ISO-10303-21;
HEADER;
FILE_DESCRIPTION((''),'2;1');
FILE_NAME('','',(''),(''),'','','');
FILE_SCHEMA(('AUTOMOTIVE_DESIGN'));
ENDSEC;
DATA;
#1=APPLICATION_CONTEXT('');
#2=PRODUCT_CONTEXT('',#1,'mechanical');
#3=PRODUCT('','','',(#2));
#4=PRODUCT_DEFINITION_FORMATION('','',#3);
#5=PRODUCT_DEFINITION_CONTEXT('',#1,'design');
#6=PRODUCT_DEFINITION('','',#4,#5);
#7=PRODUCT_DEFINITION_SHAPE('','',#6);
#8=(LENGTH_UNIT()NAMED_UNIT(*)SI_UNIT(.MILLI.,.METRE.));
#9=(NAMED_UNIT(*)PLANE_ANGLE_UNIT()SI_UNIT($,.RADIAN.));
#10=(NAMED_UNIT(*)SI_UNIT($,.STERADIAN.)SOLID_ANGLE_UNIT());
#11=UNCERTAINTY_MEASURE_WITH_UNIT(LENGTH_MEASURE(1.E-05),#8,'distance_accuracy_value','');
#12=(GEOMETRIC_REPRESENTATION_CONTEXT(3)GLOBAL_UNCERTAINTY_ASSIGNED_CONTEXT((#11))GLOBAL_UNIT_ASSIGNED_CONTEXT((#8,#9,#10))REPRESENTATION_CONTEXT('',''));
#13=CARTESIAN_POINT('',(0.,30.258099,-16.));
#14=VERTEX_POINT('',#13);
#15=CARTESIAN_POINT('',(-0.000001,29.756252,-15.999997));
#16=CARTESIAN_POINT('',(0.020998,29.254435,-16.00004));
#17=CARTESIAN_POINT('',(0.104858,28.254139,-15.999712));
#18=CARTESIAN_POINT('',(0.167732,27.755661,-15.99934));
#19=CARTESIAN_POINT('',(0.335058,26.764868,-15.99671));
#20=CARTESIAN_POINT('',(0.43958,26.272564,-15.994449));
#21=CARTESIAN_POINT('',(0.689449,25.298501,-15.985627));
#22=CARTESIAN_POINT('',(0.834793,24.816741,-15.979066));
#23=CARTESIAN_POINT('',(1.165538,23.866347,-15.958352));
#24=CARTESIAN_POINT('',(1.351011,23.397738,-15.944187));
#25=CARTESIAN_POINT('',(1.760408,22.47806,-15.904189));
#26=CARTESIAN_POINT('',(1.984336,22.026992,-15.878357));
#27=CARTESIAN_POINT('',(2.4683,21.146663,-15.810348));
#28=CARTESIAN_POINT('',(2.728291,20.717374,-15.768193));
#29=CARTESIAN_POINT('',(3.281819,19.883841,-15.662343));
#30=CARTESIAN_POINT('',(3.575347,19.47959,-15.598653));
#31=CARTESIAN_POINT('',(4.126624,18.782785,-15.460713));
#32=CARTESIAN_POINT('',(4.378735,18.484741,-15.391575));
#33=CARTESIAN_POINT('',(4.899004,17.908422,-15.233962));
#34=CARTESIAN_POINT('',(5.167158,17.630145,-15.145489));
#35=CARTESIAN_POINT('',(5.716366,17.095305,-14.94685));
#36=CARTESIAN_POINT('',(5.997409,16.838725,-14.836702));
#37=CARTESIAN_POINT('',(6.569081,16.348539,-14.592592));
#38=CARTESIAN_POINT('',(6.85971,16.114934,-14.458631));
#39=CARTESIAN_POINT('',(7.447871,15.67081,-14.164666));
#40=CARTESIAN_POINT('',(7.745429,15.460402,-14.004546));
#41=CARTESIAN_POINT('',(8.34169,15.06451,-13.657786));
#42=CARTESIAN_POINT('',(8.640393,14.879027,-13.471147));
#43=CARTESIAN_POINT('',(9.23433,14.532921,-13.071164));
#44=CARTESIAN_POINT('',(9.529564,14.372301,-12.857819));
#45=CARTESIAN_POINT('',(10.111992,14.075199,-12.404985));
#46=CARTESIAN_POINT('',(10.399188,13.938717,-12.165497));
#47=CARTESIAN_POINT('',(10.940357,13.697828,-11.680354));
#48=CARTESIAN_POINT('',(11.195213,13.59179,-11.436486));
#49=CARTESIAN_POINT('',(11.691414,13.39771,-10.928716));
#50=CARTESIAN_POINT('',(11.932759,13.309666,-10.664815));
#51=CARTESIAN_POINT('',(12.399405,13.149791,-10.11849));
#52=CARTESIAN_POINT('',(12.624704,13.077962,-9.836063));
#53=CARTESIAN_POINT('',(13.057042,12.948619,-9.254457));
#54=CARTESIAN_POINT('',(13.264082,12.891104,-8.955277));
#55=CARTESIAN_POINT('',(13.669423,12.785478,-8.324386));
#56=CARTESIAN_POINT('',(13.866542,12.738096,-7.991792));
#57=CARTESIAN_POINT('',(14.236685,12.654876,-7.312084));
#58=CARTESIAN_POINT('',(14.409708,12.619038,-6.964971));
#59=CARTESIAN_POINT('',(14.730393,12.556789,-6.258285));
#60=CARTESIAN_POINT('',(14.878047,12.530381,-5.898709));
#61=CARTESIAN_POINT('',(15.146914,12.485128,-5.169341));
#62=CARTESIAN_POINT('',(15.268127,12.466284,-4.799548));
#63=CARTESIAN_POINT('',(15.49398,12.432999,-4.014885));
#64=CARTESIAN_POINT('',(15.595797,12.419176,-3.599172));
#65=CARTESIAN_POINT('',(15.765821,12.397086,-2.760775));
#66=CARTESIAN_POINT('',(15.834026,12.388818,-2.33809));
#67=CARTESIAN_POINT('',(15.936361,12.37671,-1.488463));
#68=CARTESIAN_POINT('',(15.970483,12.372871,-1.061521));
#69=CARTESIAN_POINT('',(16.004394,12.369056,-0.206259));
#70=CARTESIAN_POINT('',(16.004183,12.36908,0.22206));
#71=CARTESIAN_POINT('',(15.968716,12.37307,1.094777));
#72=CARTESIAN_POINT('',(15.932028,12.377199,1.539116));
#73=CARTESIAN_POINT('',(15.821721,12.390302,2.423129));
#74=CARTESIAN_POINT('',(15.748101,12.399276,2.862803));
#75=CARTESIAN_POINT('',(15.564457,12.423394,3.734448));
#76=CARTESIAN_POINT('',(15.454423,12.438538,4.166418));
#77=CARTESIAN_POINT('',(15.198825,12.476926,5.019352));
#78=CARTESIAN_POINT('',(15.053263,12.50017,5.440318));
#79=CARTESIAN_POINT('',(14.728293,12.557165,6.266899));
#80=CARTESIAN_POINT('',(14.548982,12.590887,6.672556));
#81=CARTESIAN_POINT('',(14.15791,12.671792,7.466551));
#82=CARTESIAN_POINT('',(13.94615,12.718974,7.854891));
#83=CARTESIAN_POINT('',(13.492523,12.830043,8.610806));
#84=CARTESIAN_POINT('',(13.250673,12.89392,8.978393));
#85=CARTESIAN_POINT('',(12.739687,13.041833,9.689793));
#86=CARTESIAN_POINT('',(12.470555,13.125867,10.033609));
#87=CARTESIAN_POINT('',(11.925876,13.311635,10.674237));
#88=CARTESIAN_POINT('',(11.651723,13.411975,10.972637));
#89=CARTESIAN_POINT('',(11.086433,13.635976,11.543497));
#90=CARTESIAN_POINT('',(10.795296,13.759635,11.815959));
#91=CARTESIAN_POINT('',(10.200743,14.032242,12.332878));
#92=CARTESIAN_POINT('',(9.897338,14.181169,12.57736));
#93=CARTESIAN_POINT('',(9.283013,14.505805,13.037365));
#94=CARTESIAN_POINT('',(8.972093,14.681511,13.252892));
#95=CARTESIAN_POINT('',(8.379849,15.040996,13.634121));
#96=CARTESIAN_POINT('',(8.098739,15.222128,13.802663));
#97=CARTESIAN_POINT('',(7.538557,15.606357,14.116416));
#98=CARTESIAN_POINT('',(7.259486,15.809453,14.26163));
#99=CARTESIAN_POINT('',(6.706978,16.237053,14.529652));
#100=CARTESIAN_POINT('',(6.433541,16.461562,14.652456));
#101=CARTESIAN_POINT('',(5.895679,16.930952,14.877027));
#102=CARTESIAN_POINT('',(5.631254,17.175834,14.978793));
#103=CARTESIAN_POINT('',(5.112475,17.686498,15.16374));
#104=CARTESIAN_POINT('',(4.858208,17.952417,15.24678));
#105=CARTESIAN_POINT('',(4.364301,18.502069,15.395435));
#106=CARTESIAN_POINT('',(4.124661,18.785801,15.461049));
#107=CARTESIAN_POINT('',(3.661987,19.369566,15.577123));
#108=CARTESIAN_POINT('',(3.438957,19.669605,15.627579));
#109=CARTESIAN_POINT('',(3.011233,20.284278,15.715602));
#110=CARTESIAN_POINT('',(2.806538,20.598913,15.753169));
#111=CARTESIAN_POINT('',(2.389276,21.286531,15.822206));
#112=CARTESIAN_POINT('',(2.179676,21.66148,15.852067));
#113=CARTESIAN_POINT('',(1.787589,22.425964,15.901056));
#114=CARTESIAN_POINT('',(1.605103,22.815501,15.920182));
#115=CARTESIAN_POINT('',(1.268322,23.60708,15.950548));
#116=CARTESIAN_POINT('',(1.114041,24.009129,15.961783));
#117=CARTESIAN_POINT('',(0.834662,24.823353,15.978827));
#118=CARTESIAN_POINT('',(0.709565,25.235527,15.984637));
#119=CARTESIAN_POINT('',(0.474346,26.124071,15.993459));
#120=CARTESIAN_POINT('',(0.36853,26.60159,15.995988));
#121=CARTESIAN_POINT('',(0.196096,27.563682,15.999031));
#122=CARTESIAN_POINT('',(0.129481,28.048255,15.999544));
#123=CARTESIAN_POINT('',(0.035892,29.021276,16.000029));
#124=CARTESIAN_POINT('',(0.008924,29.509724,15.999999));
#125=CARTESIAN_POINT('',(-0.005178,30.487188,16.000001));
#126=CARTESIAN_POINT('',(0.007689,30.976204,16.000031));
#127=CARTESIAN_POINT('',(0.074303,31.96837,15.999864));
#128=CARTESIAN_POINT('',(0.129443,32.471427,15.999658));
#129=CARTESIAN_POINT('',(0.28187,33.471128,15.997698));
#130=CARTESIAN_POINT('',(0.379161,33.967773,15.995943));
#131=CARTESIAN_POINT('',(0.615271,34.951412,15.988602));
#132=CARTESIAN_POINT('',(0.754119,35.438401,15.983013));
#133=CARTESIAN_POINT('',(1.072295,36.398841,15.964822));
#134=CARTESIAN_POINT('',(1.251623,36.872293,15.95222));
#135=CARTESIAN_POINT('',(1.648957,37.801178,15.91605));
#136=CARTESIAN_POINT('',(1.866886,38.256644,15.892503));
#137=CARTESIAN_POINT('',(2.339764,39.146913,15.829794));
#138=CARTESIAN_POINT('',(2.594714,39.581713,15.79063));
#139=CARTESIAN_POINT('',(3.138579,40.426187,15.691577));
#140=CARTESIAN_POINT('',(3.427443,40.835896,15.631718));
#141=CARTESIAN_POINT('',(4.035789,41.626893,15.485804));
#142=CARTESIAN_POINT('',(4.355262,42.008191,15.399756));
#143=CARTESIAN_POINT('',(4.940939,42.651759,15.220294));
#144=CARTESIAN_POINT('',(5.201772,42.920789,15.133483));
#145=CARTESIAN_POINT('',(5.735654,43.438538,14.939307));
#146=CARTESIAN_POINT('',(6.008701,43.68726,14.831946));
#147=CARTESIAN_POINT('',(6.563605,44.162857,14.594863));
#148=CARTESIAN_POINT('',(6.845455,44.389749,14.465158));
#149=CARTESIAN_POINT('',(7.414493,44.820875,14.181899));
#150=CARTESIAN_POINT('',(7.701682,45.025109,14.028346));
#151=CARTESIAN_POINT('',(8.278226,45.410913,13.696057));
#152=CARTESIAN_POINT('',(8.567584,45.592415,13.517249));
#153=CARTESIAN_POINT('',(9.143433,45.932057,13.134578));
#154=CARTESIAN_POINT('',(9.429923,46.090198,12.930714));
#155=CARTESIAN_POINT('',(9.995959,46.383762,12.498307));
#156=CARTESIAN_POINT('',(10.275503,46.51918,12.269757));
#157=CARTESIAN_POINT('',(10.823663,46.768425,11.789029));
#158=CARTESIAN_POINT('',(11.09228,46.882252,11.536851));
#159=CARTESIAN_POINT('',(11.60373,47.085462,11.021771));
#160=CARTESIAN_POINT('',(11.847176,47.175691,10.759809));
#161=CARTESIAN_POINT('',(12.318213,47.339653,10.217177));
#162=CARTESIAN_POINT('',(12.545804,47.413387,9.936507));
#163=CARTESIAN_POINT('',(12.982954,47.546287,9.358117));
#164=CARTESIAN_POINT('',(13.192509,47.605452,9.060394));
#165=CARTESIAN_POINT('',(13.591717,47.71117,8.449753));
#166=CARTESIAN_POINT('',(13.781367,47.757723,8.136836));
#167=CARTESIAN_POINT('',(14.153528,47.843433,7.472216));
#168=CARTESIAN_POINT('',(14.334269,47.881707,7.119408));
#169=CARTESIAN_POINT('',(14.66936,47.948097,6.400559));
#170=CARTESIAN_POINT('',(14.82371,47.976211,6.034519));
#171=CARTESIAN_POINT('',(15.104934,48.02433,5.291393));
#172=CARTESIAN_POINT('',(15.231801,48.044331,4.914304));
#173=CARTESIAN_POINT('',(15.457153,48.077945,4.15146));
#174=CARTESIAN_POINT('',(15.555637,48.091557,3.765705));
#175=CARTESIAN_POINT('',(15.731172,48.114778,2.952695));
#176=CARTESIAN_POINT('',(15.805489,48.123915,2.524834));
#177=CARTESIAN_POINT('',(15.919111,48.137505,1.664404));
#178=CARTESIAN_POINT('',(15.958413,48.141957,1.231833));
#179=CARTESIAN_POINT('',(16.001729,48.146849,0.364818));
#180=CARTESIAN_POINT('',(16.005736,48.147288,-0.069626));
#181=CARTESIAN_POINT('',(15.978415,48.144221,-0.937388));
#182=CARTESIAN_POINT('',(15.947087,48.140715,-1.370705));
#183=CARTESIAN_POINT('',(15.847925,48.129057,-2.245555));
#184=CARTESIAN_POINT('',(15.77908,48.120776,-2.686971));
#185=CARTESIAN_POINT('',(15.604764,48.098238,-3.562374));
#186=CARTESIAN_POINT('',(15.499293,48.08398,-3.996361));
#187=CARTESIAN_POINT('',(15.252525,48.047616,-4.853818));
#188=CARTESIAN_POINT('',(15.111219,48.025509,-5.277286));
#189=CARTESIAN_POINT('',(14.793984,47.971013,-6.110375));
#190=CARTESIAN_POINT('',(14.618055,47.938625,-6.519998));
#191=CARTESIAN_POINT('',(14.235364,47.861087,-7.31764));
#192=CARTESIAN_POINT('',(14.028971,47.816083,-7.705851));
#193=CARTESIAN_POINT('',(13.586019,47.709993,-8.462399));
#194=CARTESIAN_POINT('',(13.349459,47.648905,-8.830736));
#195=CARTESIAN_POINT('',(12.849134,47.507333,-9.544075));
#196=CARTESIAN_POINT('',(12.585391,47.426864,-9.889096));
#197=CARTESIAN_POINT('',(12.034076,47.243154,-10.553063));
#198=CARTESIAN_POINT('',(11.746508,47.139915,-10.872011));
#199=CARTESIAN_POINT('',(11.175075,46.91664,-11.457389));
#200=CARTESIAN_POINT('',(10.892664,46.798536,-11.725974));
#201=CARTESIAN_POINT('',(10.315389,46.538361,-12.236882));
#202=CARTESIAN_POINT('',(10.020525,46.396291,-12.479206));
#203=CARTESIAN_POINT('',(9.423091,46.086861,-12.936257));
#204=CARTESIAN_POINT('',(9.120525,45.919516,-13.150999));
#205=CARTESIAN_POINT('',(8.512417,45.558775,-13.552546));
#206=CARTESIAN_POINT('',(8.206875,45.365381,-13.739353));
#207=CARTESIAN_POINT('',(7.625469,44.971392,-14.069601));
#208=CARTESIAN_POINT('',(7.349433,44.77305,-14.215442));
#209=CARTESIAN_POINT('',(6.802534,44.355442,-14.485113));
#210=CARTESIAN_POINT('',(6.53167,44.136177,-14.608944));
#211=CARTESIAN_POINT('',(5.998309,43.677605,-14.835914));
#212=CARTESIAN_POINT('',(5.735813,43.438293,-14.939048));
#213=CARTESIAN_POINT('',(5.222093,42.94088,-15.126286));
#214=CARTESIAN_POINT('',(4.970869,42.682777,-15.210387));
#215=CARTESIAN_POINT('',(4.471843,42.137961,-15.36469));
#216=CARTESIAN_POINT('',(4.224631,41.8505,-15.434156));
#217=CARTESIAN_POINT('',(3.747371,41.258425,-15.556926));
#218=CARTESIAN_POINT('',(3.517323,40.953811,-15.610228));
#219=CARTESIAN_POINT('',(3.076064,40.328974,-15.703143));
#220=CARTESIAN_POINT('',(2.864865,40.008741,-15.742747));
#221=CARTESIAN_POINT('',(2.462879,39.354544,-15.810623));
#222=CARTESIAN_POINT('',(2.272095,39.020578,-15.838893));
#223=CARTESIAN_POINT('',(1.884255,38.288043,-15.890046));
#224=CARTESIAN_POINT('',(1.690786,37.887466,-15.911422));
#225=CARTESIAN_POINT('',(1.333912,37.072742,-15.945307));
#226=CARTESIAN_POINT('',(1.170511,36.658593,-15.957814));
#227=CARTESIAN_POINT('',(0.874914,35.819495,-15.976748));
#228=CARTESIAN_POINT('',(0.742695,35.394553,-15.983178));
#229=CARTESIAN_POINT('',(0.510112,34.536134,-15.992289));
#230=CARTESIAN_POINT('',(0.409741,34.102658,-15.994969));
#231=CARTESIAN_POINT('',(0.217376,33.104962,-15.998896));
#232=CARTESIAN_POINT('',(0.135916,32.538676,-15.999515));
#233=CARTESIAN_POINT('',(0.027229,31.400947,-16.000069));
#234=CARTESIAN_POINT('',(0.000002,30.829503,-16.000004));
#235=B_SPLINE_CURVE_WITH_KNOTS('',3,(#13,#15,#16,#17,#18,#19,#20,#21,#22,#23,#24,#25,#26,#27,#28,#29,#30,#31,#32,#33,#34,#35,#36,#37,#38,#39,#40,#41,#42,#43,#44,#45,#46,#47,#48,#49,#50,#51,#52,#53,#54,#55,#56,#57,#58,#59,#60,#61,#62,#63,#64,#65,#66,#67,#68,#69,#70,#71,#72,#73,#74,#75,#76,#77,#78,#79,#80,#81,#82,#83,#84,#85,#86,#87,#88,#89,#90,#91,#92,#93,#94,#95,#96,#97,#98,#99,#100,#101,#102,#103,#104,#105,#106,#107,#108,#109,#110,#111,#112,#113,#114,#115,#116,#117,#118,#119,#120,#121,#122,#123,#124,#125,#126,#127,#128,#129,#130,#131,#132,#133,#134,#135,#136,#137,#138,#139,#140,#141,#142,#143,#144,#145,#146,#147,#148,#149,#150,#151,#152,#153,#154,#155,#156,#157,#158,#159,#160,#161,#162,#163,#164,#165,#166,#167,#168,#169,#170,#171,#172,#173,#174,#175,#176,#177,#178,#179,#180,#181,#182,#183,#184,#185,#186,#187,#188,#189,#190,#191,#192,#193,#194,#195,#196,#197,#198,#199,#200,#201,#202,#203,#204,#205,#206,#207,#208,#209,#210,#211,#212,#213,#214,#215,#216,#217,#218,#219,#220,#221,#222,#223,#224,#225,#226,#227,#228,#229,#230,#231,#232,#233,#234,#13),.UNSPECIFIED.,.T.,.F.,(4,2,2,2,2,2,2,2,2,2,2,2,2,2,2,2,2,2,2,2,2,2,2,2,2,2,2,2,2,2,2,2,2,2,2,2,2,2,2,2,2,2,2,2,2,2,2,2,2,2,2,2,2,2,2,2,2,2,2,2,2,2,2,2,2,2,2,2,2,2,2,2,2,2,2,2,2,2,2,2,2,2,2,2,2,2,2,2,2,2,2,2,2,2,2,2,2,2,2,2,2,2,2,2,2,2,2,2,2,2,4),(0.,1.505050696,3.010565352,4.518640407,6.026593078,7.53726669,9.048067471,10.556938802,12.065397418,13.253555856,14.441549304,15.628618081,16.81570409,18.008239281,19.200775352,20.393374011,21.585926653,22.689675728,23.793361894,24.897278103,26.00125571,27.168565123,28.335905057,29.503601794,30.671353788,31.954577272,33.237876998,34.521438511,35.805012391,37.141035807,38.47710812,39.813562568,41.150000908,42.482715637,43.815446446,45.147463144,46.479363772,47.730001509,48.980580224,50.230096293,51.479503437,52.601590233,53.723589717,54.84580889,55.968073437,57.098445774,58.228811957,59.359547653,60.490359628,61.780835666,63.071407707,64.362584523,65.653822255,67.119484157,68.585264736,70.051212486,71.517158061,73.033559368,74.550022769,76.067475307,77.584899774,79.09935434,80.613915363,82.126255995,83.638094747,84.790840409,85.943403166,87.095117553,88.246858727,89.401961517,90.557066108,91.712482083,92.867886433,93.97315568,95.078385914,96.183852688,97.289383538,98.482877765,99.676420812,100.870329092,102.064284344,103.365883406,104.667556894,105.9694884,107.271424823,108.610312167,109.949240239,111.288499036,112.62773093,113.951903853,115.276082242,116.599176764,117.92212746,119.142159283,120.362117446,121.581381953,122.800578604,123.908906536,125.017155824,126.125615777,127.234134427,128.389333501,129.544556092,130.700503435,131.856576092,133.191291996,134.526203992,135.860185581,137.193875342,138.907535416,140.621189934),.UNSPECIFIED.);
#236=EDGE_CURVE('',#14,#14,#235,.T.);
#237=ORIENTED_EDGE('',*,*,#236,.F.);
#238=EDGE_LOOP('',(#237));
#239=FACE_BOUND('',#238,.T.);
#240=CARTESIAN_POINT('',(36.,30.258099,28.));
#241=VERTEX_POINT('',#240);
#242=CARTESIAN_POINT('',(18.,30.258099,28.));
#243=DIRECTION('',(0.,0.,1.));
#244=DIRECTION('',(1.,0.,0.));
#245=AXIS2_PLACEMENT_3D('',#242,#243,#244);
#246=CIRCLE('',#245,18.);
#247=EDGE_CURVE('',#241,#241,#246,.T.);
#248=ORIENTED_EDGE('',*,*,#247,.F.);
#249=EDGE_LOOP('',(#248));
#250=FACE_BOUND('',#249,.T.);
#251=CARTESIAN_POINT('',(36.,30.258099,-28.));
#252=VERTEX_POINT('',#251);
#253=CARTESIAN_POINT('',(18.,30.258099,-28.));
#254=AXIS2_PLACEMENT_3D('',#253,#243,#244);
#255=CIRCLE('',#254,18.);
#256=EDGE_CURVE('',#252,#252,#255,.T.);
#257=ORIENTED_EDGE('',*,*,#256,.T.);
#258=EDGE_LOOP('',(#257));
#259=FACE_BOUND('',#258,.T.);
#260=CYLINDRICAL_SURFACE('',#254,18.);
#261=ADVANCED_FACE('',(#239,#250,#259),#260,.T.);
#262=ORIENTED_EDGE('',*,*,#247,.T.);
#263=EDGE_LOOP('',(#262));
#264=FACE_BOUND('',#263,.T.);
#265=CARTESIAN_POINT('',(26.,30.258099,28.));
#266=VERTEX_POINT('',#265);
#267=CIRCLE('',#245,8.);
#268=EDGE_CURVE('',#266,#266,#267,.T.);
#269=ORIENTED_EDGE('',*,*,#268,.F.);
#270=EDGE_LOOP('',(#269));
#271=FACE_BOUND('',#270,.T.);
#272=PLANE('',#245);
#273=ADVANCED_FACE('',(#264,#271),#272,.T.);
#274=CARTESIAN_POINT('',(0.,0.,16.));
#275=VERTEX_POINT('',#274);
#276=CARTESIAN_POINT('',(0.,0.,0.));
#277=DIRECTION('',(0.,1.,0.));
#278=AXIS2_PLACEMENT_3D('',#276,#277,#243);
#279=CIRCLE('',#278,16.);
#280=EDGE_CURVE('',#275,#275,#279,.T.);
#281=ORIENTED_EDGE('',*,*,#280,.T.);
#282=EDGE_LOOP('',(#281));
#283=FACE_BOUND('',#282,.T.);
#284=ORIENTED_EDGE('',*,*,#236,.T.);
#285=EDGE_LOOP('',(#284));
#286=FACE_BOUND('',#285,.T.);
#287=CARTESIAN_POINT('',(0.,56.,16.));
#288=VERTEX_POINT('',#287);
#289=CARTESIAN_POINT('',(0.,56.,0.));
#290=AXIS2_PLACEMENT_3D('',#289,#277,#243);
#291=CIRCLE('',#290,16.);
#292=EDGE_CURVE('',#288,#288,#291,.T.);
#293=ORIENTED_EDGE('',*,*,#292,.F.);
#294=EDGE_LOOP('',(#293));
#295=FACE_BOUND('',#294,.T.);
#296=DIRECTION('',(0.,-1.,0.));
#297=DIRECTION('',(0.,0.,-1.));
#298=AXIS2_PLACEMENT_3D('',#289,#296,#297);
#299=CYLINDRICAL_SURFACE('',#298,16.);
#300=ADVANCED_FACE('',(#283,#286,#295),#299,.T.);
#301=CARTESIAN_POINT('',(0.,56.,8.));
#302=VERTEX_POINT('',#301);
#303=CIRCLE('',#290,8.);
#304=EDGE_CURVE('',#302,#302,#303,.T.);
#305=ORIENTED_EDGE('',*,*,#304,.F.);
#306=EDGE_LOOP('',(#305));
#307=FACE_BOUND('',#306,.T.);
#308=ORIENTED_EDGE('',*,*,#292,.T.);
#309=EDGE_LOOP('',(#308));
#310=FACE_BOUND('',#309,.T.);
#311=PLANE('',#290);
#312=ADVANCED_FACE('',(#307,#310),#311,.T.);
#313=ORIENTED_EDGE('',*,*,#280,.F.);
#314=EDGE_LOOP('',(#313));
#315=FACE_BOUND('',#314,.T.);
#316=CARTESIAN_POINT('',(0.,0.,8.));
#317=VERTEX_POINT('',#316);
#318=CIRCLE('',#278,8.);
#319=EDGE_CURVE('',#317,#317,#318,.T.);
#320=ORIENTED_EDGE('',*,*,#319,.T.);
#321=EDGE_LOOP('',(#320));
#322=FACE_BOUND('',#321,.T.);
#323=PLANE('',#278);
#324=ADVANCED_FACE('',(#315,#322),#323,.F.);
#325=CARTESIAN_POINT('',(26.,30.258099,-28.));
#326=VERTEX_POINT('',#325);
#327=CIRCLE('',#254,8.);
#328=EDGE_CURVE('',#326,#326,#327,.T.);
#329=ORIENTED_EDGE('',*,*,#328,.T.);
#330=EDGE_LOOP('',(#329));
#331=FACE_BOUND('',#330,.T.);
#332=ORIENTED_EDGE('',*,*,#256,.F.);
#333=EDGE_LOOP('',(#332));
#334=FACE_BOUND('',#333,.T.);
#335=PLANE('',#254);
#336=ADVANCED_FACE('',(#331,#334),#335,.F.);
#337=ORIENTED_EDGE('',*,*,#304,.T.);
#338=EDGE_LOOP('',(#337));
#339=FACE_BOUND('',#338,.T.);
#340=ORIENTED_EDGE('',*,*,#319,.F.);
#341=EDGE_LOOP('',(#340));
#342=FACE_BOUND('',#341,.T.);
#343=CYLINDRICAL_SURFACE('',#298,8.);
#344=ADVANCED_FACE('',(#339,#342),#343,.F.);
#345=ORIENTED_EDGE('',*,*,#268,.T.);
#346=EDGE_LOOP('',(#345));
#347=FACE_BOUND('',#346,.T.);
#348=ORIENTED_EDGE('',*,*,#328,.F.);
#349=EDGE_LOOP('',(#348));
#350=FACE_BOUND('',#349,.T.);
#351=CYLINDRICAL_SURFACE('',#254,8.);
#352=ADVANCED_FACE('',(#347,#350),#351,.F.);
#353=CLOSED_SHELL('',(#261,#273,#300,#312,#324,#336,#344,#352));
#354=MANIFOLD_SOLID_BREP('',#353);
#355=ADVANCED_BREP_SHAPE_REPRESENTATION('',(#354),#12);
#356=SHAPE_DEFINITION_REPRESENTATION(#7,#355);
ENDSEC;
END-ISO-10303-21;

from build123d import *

# Parameters (mm, degrees)
SKETCH1_R                = 16
SKETCH1_R_2              = 8
BOSS_EXTRUDE1_DEPTH      = 56
BOSS_EXTRUDE2_DEPTH      = 28
BOSS_EXTRUDE2_DEPTH_BACK = 28
SKETCH2_R                = 18
SKETCH2_R_2              = 8
SKETCH3_R                = 8
CUT_EXTRUDE1_DEPTH       = 73.221880507
SKETCH4_R                = 8
CUT_EXTRUDE2_DEPTH       = 87.994252854


with BuildPart() as part:
    # Sketch1 → Boss-Extrude1 (new body)
    with BuildSketch(Plane(origin=(0, 0, 0), x_dir=(1, 0, 0), z_dir=(0, 1, 0))):
        Circle(SKETCH1_R)
        Circle(SKETCH1_R_2, mode=Mode.SUBTRACT)
    extrude(amount=BOSS_EXTRUDE1_DEPTH)

    # Sketch2 → Boss-Extrude2 (add, two sides: drawn at the far end of the back side and taken through both)
    with BuildSketch(Plane.XY.offset(-BOSS_EXTRUDE2_DEPTH_BACK)):
        with Locations((18, 30.258098715)):
            Circle(SKETCH2_R)
        with Locations((18, 30.258098715)):
            Circle(SKETCH2_R_2, mode=Mode.SUBTRACT)
    extrude(amount=BOSS_EXTRUDE2_DEPTH + BOSS_EXTRUDE2_DEPTH_BACK)

    # Sketch3 → Cut-Extrude1 (cut, through all)
    with BuildSketch(Plane(origin=(0, 56, 0), x_dir=(1, 0, 0), z_dir=(0, 1, 0))):
        Circle(SKETCH3_R)
    extrude(amount=-CUT_EXTRUDE1_DEPTH, mode=Mode.SUBTRACT)

    # Sketch4 → Cut-Extrude2 (cut, through all)
    with BuildSketch(Plane.XY.offset(28)):
        with Locations((18, 30.258098715)):
            Circle(SKETCH4_R)
    extrude(amount=-CUT_EXTRUDE2_DEPTH, mode=Mode.SUBTRACT)


solid = part.part
